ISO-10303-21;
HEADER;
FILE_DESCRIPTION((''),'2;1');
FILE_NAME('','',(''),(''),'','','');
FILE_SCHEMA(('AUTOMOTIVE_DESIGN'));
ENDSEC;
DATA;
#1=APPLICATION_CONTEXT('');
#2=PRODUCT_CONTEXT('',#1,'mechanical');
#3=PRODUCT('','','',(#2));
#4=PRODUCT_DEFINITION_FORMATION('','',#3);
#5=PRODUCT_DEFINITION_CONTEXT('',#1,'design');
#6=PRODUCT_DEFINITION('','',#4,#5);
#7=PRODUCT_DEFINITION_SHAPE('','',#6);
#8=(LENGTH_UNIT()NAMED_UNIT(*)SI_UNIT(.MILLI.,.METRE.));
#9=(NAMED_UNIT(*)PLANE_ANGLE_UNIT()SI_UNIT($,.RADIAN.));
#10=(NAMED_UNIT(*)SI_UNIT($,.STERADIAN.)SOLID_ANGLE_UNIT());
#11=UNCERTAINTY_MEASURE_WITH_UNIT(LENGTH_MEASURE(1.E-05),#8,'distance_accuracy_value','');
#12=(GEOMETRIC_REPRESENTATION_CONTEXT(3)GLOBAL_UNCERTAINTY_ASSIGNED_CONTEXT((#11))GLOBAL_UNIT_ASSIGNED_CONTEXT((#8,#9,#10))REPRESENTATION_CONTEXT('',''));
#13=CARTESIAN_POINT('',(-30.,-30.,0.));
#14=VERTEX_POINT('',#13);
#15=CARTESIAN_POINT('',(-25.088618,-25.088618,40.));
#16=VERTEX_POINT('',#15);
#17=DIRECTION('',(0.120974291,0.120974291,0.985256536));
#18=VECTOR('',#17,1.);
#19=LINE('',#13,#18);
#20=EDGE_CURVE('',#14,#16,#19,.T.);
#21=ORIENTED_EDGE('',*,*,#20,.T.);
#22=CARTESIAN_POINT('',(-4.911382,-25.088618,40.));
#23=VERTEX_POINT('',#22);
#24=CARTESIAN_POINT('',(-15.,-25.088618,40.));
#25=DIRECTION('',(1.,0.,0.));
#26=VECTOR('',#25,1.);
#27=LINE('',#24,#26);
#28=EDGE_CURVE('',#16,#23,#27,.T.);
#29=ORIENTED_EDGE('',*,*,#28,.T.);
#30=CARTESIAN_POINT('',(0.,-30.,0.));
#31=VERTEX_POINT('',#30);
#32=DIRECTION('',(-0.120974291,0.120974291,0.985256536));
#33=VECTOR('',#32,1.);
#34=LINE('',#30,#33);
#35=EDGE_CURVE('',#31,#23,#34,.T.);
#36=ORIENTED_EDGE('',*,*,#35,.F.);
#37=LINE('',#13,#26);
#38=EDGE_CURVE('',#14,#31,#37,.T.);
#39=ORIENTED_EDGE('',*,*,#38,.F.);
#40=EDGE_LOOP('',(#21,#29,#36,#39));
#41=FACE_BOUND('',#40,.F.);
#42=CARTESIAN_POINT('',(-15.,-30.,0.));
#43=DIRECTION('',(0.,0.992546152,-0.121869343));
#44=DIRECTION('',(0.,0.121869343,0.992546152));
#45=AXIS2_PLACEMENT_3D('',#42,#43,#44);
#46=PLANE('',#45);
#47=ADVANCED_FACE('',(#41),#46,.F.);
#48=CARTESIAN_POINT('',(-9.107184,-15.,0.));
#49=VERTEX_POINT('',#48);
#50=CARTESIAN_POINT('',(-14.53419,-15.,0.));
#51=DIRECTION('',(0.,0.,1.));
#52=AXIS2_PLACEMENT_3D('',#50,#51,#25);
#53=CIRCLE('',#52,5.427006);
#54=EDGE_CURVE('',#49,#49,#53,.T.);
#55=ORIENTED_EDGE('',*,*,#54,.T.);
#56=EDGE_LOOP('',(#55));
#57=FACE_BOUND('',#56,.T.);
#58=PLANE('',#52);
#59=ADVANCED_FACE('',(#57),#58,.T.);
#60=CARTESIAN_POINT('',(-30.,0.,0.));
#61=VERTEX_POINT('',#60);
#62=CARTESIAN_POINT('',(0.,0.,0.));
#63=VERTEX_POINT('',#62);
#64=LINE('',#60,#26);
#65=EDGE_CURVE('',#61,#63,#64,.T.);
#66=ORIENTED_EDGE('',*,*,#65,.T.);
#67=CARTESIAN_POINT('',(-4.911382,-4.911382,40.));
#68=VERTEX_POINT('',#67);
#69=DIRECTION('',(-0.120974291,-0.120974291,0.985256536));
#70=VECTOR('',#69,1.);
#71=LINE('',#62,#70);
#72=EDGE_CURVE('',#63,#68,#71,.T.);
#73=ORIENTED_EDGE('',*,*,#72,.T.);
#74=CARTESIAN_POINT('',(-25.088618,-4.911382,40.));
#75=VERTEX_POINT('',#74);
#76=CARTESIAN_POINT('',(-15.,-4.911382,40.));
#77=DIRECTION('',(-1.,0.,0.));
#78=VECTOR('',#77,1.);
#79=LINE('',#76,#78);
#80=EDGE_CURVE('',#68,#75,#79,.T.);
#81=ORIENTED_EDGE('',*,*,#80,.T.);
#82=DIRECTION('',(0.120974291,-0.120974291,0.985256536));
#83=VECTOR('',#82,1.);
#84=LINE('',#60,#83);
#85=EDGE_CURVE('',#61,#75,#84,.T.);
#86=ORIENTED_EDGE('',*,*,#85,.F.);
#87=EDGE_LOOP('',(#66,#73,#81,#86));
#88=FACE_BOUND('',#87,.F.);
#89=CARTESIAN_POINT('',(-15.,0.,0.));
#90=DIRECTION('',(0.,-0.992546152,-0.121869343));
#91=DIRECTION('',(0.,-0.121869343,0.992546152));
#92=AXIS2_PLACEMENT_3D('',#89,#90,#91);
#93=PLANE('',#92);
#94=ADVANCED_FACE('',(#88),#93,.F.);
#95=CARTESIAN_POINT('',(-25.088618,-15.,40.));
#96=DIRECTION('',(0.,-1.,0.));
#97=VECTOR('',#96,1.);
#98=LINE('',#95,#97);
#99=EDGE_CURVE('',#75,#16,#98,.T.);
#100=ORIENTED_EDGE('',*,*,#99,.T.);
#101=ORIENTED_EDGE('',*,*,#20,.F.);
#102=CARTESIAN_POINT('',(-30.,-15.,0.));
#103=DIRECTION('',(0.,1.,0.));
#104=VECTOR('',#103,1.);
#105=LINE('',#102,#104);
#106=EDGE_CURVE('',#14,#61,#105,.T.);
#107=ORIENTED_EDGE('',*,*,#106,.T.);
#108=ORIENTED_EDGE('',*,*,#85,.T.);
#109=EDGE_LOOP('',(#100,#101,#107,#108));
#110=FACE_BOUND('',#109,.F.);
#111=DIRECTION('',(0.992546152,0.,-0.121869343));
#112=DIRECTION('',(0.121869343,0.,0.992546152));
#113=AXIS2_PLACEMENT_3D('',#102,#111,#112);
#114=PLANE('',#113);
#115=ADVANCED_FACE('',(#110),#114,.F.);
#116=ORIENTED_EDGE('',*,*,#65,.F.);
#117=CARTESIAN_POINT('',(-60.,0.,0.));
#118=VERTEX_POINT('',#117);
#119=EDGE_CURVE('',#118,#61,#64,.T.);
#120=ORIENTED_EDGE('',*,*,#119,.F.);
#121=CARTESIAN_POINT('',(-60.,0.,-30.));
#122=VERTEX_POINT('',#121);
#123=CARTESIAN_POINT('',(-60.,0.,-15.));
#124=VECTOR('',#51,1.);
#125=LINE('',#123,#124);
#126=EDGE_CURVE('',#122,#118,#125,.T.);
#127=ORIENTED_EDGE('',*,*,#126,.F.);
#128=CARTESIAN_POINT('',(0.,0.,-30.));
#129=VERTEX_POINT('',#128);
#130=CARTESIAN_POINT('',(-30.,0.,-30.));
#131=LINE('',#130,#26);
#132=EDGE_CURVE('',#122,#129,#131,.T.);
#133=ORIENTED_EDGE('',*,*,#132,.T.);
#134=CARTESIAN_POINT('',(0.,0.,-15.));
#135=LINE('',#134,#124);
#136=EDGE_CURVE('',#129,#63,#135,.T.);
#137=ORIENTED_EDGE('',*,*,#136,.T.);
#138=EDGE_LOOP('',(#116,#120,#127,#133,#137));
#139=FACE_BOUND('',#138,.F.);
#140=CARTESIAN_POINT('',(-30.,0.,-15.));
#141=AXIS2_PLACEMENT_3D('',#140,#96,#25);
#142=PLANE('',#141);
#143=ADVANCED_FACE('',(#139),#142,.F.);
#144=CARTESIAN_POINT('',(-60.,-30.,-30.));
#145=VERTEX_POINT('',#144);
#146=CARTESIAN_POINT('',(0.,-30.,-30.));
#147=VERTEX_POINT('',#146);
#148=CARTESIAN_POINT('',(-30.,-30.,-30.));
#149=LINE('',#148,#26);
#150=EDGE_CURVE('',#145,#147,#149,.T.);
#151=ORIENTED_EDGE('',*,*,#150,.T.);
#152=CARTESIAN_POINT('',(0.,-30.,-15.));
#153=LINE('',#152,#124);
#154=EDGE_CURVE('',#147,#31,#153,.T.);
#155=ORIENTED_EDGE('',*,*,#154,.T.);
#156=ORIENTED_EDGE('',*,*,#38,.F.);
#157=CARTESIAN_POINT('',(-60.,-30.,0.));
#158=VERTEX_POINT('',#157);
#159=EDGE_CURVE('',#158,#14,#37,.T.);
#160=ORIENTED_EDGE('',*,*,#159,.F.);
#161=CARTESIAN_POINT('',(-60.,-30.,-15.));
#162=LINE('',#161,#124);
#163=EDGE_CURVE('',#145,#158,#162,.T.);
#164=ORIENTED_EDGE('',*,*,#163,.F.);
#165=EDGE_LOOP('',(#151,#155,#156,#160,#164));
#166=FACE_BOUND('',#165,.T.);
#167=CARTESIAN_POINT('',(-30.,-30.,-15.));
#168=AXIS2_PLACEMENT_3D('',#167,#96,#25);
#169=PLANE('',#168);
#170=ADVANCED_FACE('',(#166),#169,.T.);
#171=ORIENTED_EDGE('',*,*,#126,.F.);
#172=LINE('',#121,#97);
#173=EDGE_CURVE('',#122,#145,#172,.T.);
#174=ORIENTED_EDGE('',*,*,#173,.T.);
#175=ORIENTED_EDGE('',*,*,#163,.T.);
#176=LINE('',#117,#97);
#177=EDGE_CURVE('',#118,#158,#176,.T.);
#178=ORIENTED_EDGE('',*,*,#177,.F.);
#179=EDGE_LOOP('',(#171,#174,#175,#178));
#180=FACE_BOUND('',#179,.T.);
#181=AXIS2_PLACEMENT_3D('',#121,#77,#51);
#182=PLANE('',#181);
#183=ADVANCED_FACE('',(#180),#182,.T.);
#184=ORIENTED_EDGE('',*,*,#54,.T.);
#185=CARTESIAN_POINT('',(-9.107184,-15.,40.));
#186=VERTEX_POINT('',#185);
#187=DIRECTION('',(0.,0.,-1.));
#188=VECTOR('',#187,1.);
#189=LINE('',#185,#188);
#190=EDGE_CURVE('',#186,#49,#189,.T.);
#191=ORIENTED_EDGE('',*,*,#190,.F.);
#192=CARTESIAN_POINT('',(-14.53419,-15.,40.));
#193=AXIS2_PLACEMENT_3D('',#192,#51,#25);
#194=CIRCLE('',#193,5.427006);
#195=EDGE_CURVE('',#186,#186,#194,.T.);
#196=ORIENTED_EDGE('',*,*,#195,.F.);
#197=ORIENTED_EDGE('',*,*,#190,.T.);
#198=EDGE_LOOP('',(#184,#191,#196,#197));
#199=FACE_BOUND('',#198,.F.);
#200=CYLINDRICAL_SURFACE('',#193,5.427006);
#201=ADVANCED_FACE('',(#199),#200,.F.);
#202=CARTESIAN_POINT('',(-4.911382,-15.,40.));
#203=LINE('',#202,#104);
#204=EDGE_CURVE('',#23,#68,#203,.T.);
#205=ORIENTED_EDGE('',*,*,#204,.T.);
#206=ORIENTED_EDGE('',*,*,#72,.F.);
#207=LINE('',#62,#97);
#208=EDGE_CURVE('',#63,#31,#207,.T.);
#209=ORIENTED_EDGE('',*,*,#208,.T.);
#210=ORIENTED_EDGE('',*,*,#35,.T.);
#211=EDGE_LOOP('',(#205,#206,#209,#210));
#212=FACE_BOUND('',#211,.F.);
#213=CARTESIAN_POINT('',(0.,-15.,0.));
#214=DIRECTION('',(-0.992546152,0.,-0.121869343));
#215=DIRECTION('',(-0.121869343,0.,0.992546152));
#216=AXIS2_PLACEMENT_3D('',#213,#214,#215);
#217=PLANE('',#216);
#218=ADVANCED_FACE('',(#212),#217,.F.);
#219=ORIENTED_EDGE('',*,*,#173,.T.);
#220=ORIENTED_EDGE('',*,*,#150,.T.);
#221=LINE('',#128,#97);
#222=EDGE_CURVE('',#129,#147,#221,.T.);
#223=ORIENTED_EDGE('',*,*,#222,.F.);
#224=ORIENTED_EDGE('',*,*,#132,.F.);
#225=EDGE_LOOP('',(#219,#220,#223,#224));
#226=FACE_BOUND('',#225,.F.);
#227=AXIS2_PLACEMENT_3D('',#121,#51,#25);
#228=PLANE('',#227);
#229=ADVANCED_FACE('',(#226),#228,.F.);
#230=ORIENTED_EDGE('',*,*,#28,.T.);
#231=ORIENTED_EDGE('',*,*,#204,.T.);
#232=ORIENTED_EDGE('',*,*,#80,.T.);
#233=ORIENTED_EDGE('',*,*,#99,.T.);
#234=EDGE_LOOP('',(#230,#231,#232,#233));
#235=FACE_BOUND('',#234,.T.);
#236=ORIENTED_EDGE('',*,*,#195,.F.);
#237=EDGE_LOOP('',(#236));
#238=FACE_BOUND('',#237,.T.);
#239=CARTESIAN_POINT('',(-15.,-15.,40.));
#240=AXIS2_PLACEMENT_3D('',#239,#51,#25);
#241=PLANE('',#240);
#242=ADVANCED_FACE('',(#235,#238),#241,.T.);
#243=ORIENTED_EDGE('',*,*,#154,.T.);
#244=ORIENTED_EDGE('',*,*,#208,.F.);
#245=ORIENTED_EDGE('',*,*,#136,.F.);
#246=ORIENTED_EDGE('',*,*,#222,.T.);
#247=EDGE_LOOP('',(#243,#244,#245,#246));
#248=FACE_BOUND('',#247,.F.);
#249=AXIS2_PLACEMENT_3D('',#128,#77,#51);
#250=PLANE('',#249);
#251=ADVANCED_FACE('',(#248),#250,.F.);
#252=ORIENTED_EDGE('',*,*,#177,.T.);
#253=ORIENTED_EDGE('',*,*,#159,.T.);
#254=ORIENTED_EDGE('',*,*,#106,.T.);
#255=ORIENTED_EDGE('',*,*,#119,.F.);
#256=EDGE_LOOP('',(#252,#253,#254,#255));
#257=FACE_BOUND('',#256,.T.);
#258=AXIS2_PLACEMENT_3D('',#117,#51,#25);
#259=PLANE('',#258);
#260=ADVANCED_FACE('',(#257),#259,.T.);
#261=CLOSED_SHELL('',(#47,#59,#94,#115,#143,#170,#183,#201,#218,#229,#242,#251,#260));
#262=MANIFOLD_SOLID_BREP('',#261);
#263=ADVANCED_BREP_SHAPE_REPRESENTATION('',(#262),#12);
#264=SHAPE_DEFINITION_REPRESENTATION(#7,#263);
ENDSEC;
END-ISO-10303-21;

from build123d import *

# Parameters (mm, degrees)
F0_W     = 60
F0_H     = 30
F1_DEPTH = 30
F2_W     = 30
F2_H     = 30
F3_DEPTH = 40
F3_TAPER = 7
F4_R     = 5.4270060884
F5_DEPTH = 40


with BuildPart() as f1:
    # F0 (on Front) → F1 (new body)
    with BuildSketch(Plane.XZ):
        with Locations((-30, -15)):
            Rectangle(F0_W, F0_H)
    extrude(amount=F1_DEPTH)

    # F2 (on face) → F3 (join)
    with BuildSketch(Plane.XY):
        with Locations((-15, -15)):
            Rectangle(F2_W, F2_H)
    extrude(amount=F3_DEPTH, taper=F3_TAPER)

    # F4 (on face) → F5 (cut)
    with BuildSketch(Plane.XY.offset(40)):
        with Locations((-14.5341902971, -15)):
            Circle(F4_R)
    extrude(amount=-F5_DEPTH, mode=Mode.SUBTRACT)


solid = f1.part
